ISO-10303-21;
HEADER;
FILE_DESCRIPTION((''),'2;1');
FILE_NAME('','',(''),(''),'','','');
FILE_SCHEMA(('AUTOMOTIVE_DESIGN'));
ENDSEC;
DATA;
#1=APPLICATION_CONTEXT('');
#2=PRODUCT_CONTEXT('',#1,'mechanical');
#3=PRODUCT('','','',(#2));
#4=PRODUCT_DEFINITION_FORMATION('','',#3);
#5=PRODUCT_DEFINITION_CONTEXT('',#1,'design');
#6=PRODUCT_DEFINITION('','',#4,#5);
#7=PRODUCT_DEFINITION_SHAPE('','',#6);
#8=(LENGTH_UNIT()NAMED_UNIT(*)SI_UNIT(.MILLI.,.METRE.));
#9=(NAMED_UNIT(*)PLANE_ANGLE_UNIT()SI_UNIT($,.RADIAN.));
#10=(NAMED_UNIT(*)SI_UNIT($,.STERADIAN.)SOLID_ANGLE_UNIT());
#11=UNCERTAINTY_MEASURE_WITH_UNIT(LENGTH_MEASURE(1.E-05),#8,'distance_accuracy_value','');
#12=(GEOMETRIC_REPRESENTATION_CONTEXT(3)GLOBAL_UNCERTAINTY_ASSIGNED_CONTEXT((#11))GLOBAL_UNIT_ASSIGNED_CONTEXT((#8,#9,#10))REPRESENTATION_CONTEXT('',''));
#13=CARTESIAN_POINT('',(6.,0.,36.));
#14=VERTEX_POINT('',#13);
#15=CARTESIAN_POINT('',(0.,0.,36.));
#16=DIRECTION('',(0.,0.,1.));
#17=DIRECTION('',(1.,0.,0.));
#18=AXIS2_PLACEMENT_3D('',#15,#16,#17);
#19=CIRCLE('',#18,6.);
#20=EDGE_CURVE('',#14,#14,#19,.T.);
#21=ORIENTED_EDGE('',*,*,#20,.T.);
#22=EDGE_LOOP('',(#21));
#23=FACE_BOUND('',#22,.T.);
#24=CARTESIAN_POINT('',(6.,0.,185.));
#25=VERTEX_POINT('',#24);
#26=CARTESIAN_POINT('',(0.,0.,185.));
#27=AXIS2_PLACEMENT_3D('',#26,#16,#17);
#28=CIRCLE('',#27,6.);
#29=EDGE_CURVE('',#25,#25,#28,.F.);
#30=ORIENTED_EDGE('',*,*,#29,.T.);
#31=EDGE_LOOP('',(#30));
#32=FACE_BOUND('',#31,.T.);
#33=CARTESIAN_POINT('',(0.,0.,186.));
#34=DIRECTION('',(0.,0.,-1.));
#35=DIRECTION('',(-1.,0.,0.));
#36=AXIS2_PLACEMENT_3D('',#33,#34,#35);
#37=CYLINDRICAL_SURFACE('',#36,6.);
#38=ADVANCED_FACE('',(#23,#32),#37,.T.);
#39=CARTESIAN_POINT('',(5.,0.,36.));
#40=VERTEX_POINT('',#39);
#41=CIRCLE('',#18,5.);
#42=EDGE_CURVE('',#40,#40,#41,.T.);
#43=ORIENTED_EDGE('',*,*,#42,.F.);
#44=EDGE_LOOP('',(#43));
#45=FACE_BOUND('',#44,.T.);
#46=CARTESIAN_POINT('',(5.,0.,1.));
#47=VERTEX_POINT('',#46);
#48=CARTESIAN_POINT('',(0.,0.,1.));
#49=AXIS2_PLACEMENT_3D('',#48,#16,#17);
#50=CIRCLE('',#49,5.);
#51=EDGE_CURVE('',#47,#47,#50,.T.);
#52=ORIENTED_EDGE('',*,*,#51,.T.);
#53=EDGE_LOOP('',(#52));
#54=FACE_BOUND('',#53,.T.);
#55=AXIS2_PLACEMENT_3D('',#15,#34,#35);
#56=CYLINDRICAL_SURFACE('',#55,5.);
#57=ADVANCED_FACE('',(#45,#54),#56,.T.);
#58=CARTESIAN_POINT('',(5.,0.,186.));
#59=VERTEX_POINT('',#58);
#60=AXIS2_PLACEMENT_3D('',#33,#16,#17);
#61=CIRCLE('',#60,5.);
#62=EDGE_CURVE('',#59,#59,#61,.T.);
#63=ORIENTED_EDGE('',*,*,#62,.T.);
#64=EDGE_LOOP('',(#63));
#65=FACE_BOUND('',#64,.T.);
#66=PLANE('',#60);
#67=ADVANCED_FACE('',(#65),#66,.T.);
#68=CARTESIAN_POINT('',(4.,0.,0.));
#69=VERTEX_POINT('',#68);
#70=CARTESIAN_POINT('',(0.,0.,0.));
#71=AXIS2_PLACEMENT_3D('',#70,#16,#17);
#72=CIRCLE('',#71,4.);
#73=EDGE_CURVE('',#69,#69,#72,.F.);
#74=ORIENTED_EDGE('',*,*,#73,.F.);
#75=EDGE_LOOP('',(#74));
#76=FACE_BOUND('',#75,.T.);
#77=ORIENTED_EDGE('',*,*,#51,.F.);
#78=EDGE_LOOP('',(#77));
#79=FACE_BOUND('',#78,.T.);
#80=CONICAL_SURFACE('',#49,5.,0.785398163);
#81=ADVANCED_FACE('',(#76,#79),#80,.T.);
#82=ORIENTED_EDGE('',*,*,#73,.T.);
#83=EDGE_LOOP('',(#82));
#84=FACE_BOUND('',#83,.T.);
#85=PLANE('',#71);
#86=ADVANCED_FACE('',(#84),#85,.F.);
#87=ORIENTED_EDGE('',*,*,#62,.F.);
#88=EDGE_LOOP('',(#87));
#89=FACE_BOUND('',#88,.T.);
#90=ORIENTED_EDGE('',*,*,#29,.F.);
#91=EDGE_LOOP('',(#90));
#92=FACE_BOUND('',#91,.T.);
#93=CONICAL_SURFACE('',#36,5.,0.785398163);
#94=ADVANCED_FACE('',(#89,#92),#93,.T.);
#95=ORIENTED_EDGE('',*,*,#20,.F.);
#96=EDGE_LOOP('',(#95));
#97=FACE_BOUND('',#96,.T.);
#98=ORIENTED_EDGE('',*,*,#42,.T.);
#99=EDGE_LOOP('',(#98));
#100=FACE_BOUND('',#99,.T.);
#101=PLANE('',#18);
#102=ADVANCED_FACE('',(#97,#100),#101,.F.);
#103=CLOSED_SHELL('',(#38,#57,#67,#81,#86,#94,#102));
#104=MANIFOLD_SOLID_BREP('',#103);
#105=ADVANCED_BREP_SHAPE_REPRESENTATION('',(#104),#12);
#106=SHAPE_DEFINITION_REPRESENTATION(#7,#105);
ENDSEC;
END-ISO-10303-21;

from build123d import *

# Parameters (mm, degrees)
SKETCH1_R           = 5
BOSS_EXTRUDE1_DEPTH = 36
SKETCH2_R           = 6
BOSS_EXTRUDE2_DEPTH = 150
CHAMFER1_SIZE       = 1


with BuildPart() as part:
    # Sketch1 → Boss-Extrude1 (new body)
    with BuildSketch(Plane.XY):
        Circle(SKETCH1_R)
    extrude(amount=BOSS_EXTRUDE1_DEPTH)

    # Sketch2 → Boss-Extrude2 (add)
    with BuildSketch(Plane.XY.offset(36)):
        Circle(SKETCH2_R)
    extrude(amount=BOSS_EXTRUDE2_DEPTH)

    # Chamfer1
    chamfer1_edges = [part.edges().sort_by_distance(p)[0] for p in [
        (-5, 0, 0),
        (-6, 0, 186),
    ]]
    chamfer(chamfer1_edges, length=CHAMFER1_SIZE)


solid = part.part
